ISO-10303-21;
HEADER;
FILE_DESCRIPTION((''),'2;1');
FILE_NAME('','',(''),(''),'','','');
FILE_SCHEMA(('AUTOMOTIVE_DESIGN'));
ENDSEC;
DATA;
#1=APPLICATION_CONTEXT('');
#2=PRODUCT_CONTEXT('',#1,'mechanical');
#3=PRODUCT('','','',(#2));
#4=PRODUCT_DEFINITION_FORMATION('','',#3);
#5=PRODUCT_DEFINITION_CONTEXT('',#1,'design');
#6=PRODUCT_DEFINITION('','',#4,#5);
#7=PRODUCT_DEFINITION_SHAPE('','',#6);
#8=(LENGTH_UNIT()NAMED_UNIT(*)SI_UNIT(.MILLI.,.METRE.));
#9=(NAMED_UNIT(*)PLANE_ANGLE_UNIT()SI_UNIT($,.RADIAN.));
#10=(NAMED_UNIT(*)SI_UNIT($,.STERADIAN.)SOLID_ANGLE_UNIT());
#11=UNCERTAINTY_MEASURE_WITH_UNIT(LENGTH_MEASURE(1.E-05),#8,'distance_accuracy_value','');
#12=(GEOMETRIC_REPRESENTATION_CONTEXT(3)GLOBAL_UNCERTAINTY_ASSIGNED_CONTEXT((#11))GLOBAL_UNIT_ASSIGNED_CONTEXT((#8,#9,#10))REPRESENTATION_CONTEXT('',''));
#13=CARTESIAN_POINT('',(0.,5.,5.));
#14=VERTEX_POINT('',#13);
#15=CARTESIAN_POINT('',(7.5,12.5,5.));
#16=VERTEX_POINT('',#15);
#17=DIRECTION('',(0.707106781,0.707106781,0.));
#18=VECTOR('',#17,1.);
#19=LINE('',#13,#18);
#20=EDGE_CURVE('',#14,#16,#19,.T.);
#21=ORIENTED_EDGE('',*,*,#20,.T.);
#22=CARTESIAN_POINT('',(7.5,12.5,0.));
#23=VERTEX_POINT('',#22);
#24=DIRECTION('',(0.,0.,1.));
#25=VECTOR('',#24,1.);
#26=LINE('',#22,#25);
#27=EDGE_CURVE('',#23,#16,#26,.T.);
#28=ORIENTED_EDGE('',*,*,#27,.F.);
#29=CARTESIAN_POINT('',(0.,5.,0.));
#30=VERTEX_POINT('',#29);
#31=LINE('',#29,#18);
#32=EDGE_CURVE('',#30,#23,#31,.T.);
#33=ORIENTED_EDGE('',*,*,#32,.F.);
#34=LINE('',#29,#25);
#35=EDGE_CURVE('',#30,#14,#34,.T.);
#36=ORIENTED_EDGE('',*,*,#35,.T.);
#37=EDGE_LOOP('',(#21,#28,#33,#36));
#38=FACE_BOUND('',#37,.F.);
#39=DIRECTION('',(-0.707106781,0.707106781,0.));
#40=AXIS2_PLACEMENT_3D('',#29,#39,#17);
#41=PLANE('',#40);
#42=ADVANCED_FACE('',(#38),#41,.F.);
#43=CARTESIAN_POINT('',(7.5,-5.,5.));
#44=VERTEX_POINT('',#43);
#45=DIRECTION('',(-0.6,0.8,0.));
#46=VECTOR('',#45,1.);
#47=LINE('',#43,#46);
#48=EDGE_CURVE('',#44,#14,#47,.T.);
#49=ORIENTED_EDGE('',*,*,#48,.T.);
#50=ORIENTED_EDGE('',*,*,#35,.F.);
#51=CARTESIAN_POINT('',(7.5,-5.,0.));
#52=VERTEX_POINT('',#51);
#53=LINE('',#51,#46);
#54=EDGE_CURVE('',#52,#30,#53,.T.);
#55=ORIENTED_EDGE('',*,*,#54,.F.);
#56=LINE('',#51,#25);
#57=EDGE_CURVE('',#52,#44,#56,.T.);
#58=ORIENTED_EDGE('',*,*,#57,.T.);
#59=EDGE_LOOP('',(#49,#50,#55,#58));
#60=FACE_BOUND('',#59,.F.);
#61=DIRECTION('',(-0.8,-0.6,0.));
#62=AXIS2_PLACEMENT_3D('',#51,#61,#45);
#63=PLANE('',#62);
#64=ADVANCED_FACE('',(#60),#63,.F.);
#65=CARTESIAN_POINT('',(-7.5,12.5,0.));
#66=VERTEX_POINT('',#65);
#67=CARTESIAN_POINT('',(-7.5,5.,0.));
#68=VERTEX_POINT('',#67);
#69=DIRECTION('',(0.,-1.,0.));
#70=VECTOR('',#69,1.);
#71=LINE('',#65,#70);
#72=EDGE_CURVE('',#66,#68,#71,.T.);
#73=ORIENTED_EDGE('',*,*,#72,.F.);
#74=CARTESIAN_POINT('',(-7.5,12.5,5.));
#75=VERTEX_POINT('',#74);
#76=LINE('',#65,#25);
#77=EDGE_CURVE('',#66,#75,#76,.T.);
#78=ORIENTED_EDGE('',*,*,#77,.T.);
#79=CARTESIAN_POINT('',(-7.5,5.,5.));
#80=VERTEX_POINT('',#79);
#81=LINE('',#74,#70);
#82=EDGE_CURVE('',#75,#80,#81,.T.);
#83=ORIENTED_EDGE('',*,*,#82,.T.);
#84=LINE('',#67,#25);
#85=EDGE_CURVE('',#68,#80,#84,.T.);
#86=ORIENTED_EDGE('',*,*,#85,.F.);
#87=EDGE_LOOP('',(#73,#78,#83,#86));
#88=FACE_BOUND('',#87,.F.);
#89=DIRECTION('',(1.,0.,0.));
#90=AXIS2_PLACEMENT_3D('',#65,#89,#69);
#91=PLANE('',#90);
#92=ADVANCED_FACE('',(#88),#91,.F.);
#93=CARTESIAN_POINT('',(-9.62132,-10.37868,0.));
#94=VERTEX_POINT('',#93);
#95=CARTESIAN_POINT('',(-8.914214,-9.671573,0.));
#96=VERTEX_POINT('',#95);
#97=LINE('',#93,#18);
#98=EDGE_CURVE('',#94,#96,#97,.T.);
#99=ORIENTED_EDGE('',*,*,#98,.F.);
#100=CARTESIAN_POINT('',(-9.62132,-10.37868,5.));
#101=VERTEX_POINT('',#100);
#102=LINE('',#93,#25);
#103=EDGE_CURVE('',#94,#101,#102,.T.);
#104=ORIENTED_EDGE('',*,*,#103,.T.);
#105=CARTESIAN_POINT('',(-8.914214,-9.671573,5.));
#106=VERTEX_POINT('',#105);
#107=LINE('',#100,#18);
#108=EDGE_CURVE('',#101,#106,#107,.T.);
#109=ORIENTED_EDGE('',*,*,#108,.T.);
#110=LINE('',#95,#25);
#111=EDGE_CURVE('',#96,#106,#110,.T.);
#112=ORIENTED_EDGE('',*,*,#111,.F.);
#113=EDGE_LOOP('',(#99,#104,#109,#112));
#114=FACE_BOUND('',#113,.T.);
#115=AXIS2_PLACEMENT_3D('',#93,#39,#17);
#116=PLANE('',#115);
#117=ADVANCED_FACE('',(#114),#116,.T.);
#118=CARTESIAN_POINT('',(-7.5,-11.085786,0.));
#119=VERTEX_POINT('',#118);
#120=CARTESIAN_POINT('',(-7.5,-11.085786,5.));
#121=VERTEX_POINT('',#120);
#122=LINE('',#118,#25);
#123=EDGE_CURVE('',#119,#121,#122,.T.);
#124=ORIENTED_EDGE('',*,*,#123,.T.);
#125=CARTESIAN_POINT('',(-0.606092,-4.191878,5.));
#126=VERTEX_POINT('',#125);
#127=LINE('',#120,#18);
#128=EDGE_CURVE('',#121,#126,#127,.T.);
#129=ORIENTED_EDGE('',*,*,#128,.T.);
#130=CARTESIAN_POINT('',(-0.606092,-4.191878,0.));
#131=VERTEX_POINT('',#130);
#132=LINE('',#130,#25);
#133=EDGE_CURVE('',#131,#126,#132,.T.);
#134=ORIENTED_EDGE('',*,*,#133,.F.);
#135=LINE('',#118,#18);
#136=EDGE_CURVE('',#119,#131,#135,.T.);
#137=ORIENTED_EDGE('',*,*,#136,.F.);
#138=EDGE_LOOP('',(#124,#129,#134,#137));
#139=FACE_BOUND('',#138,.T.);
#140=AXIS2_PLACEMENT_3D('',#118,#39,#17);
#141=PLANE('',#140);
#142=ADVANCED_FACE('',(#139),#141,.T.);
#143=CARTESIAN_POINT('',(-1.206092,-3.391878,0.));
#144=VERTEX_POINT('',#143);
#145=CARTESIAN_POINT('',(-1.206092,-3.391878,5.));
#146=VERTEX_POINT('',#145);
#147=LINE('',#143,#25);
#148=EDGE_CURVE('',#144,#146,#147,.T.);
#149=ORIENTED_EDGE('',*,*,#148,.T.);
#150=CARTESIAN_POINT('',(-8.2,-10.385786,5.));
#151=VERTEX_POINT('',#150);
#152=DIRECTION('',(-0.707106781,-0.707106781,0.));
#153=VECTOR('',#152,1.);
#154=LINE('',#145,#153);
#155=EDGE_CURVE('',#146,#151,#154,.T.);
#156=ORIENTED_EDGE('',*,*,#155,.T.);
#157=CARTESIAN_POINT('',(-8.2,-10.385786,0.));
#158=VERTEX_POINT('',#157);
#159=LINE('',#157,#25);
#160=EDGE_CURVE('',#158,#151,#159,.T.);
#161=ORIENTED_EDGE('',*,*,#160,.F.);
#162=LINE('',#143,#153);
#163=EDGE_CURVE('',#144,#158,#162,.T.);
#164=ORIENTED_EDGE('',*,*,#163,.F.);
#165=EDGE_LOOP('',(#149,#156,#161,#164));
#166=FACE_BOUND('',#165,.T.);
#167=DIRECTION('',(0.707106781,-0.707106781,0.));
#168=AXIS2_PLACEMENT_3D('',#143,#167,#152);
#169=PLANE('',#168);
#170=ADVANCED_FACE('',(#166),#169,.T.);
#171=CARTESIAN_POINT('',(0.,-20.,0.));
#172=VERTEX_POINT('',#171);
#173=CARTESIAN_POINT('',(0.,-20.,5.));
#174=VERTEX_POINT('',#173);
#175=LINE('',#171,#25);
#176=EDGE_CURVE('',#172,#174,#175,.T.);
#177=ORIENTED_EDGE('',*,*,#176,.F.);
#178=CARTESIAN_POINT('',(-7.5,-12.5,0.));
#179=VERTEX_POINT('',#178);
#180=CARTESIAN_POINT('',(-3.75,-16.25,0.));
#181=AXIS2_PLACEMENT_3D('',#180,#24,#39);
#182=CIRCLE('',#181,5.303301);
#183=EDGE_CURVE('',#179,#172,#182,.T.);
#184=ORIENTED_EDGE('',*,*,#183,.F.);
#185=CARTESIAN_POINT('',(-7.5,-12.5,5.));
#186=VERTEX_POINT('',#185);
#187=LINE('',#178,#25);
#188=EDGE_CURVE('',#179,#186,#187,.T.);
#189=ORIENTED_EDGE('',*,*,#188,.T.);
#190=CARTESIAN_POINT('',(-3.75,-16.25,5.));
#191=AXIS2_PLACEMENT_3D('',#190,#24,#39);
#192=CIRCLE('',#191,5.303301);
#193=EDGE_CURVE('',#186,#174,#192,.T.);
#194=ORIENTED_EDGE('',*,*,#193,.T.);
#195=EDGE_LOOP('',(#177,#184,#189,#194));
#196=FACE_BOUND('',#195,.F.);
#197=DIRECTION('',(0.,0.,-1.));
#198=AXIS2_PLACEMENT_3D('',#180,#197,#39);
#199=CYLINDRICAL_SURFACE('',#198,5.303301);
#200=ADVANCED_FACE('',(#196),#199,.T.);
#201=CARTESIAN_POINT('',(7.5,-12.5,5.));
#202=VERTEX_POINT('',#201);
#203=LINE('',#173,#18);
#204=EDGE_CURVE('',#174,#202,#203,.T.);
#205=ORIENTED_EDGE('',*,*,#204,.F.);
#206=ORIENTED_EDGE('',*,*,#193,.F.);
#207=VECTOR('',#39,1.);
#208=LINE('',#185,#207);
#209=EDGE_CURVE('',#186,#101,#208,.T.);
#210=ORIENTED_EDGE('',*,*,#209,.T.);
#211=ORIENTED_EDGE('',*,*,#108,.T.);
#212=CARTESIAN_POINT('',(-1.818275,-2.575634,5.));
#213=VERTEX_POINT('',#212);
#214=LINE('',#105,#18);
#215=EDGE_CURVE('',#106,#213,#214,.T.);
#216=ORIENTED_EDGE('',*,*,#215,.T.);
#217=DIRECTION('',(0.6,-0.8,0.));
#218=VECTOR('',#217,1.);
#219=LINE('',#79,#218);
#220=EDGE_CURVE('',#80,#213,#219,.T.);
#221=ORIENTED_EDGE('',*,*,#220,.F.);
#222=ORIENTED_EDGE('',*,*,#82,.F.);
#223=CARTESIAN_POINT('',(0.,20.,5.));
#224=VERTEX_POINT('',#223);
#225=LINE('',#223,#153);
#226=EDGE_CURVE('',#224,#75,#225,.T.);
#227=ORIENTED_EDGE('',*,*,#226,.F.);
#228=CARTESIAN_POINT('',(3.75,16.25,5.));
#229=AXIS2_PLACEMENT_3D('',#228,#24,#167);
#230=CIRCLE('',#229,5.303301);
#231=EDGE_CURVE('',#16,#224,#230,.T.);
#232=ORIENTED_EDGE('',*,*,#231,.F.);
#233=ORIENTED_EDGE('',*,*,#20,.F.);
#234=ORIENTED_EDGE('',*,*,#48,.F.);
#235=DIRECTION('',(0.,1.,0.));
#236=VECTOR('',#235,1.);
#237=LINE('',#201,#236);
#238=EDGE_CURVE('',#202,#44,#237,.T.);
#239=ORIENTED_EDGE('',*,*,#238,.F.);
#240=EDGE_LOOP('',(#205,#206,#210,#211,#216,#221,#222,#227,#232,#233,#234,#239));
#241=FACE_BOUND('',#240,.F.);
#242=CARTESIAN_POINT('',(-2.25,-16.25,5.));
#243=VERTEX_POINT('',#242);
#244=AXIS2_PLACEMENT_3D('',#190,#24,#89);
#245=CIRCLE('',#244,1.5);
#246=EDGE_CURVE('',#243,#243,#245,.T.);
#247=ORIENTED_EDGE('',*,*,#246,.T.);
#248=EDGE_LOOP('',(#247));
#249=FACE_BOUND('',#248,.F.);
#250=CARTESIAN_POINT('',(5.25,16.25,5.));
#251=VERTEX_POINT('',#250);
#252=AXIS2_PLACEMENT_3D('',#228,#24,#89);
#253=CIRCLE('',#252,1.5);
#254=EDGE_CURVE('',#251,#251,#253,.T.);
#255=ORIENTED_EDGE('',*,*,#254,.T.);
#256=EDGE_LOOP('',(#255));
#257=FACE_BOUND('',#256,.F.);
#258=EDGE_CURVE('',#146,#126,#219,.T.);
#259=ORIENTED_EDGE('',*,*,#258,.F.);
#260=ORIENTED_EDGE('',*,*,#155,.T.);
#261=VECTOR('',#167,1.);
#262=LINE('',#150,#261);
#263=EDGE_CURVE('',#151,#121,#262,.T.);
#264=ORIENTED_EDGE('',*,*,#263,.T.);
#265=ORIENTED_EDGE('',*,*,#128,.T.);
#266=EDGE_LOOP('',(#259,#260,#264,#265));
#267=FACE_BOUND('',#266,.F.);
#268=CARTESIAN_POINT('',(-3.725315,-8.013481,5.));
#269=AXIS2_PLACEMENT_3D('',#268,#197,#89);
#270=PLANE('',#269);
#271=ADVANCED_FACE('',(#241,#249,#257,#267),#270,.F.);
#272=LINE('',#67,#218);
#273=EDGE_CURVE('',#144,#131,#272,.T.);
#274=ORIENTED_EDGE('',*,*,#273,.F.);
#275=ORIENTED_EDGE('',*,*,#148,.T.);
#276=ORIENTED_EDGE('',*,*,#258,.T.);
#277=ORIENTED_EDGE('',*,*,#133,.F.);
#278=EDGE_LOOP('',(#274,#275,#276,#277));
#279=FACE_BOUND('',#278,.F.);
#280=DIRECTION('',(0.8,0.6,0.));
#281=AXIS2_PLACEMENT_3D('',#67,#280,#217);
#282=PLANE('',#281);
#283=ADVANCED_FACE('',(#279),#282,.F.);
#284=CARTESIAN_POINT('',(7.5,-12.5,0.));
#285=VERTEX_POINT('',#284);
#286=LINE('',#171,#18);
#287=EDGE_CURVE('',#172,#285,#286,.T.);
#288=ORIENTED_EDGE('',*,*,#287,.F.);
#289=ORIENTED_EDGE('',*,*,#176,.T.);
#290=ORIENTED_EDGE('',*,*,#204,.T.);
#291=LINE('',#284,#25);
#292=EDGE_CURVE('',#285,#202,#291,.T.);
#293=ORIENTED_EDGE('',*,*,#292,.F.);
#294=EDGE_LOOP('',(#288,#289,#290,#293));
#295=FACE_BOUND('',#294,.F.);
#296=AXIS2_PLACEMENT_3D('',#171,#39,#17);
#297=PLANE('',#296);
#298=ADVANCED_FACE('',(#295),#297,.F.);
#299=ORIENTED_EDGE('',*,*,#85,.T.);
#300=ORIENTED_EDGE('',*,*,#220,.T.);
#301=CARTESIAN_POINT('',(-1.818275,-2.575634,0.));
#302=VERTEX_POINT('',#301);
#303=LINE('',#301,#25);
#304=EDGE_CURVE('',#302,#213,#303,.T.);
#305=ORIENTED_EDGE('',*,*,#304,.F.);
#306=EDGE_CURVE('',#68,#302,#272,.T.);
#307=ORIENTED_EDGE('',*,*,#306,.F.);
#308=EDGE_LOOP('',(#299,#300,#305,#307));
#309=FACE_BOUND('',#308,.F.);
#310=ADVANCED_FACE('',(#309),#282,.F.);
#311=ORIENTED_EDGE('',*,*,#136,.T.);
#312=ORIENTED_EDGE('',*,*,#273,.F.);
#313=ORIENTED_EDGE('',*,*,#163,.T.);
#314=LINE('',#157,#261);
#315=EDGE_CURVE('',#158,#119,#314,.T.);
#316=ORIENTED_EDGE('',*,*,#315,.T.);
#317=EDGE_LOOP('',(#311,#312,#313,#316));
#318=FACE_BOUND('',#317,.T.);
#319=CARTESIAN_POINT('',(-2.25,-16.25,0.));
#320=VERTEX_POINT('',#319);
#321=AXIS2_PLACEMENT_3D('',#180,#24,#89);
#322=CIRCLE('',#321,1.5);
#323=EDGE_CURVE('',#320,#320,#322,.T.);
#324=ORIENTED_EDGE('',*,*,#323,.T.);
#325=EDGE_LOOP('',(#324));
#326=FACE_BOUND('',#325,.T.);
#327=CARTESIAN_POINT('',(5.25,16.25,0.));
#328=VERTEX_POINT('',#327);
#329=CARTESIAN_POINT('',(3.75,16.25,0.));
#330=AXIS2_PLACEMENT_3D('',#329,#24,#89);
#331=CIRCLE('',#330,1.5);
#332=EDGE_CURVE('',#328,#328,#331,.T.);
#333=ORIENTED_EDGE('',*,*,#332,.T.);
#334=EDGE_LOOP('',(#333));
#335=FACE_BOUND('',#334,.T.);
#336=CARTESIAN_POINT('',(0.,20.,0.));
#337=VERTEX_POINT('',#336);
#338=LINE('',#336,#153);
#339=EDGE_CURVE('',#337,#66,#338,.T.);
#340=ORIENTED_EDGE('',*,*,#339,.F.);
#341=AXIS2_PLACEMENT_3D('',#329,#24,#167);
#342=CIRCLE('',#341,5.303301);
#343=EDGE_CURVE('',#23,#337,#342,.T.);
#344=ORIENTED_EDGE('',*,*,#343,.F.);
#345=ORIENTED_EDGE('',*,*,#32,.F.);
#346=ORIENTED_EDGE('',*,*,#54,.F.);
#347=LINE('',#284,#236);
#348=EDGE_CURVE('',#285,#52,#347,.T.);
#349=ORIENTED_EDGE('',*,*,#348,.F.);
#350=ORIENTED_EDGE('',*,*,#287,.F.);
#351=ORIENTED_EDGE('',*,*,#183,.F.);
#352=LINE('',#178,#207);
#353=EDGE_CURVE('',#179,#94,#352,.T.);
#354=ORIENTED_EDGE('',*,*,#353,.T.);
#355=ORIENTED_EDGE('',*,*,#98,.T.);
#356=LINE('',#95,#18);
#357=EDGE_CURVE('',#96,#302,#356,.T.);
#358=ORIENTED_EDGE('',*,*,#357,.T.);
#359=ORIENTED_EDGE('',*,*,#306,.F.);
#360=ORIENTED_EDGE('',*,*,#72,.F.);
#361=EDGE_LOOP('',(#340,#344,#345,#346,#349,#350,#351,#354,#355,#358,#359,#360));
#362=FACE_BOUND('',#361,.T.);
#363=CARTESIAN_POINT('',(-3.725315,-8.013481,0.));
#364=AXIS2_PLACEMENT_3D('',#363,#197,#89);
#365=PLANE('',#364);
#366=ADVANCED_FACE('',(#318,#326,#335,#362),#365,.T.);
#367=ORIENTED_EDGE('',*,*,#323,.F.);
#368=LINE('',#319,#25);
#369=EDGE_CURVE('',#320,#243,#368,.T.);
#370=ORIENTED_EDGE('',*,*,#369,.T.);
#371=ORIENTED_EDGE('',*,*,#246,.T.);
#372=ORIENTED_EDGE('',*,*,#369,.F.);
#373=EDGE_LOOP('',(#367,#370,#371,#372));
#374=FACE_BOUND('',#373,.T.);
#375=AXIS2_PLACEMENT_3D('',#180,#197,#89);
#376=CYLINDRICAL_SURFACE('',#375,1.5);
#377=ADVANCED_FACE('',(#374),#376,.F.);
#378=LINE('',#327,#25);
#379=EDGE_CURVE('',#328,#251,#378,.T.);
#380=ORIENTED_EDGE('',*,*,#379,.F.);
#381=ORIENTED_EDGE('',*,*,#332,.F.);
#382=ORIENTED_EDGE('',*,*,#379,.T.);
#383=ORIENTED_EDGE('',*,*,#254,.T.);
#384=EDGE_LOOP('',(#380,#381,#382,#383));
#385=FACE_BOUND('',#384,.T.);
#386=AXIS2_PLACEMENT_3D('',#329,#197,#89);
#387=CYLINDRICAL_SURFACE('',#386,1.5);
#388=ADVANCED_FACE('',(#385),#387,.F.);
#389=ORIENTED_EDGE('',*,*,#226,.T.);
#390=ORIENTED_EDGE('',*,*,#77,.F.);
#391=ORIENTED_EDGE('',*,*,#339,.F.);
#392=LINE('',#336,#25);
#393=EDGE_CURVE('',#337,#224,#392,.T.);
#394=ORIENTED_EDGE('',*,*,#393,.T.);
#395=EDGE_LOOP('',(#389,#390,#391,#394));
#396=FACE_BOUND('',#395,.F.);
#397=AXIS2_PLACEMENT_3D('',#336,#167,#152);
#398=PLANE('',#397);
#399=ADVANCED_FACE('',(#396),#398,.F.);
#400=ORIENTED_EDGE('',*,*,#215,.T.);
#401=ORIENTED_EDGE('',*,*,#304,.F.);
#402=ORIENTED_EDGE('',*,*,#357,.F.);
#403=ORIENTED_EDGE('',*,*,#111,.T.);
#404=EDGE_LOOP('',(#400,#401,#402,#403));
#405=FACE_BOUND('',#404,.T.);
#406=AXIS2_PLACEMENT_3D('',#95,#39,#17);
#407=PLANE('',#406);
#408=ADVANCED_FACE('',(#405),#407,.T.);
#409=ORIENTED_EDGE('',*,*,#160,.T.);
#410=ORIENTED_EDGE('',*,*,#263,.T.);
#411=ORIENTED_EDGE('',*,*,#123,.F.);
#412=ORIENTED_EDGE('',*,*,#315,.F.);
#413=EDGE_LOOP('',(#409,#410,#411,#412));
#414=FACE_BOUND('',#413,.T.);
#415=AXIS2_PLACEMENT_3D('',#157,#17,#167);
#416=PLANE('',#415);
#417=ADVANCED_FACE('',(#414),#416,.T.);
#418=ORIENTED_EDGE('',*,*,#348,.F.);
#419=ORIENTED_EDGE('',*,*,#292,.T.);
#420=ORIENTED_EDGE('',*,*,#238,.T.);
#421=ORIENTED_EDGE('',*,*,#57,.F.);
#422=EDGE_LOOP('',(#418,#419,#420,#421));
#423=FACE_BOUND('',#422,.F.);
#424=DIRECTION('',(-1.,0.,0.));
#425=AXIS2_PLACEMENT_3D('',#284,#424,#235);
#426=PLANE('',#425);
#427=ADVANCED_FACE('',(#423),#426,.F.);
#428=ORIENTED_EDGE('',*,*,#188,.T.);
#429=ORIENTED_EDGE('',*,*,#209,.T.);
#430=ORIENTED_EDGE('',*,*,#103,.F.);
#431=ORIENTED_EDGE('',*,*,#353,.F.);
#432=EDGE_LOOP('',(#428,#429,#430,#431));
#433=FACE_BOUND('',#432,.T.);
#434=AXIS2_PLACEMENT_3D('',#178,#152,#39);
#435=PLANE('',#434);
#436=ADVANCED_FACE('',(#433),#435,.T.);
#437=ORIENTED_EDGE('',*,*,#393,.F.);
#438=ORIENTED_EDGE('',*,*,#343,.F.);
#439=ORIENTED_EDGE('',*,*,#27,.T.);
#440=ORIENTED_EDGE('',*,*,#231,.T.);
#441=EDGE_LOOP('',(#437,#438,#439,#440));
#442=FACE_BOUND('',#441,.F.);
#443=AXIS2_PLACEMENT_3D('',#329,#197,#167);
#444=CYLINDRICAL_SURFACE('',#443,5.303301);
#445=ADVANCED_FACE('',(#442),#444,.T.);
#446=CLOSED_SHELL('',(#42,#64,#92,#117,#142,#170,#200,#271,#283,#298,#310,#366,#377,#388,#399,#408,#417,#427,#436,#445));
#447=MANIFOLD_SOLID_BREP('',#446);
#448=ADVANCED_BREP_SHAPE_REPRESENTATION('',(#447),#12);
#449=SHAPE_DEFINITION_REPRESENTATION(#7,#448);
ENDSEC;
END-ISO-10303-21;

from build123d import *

# Parameters (mm, degrees)
F0_R     = 1.5
F1_DEPTH = 5
F3_DEPTH = 5


with BuildPart() as f1:
    # F0 (on Top) → F1 (new body)
    with BuildSketch(Plane.XY):
        with BuildLine():
            Line((0, -20), (7.5, -12.5))
            Line((7.5, -12.5), (7.5, -5))
            Line((7.5, -5), (0, 5))
            Line((0, 5), (7.5, 12.5))
            ThreePointArc((7.5, 12.5), (7.5, 20), (0, 20))
            Line((0, 20), (-7.5, 12.5))
            Line((-7.5, 12.5), (-7.5, 5))
            Line((-7.5, 5), (0, -5))
            Line((0, -5), (-7.5, -12.5))
            ThreePointArc((-7.5, -12.5), (-7.5, -20), (0, -20))
        make_face()
        with Locations((-3.75, -16.25)):
            Circle(F0_R, mode=Mode.SUBTRACT)
        with Locations((3.75, 16.25)):
            Circle(F0_R, mode=Mode.SUBTRACT)
    extrude(amount=F1_DEPTH)

    # F2 (on face) → F3 (join)
    with BuildSketch(Plane(origin=(0, 0, 0), x_dir=(1, 0, 0), z_dir=(0, 0, -1))):
        Polygon((-0.6060915267, 4.1918779644), (0, 5), (-6.7928932188, 11.7928932188), (-7.5, 11.0857864376), align=None)
        Polygon((-7.5, 11.0857864376), (-6.7928932188, 11.7928932188), (-7.5, 12.5), (-8.2071067812, 11.7928932188), align=None)
        Polygon((-1.8182745802, 2.5756338931), (-1.2060915267, 3.3918779644), (-8.2, 10.3857864376), (-8.9142135624, 9.6715728753), align=None)
        Polygon((-8.9142135624, 9.6715728753), (-8.2, 10.3857864376), (-8.9071067812, 11.0928932188), (-9.6213203436, 10.3786796564), align=None)
        Polygon((-8.2, 10.3857864376), (-7.5, 11.0857864376), (-8.2071067812, 11.7928932188), (-8.9071067812, 11.0928932188), align=None)
    extrude(amount=-F3_DEPTH)


solid = f1.part
